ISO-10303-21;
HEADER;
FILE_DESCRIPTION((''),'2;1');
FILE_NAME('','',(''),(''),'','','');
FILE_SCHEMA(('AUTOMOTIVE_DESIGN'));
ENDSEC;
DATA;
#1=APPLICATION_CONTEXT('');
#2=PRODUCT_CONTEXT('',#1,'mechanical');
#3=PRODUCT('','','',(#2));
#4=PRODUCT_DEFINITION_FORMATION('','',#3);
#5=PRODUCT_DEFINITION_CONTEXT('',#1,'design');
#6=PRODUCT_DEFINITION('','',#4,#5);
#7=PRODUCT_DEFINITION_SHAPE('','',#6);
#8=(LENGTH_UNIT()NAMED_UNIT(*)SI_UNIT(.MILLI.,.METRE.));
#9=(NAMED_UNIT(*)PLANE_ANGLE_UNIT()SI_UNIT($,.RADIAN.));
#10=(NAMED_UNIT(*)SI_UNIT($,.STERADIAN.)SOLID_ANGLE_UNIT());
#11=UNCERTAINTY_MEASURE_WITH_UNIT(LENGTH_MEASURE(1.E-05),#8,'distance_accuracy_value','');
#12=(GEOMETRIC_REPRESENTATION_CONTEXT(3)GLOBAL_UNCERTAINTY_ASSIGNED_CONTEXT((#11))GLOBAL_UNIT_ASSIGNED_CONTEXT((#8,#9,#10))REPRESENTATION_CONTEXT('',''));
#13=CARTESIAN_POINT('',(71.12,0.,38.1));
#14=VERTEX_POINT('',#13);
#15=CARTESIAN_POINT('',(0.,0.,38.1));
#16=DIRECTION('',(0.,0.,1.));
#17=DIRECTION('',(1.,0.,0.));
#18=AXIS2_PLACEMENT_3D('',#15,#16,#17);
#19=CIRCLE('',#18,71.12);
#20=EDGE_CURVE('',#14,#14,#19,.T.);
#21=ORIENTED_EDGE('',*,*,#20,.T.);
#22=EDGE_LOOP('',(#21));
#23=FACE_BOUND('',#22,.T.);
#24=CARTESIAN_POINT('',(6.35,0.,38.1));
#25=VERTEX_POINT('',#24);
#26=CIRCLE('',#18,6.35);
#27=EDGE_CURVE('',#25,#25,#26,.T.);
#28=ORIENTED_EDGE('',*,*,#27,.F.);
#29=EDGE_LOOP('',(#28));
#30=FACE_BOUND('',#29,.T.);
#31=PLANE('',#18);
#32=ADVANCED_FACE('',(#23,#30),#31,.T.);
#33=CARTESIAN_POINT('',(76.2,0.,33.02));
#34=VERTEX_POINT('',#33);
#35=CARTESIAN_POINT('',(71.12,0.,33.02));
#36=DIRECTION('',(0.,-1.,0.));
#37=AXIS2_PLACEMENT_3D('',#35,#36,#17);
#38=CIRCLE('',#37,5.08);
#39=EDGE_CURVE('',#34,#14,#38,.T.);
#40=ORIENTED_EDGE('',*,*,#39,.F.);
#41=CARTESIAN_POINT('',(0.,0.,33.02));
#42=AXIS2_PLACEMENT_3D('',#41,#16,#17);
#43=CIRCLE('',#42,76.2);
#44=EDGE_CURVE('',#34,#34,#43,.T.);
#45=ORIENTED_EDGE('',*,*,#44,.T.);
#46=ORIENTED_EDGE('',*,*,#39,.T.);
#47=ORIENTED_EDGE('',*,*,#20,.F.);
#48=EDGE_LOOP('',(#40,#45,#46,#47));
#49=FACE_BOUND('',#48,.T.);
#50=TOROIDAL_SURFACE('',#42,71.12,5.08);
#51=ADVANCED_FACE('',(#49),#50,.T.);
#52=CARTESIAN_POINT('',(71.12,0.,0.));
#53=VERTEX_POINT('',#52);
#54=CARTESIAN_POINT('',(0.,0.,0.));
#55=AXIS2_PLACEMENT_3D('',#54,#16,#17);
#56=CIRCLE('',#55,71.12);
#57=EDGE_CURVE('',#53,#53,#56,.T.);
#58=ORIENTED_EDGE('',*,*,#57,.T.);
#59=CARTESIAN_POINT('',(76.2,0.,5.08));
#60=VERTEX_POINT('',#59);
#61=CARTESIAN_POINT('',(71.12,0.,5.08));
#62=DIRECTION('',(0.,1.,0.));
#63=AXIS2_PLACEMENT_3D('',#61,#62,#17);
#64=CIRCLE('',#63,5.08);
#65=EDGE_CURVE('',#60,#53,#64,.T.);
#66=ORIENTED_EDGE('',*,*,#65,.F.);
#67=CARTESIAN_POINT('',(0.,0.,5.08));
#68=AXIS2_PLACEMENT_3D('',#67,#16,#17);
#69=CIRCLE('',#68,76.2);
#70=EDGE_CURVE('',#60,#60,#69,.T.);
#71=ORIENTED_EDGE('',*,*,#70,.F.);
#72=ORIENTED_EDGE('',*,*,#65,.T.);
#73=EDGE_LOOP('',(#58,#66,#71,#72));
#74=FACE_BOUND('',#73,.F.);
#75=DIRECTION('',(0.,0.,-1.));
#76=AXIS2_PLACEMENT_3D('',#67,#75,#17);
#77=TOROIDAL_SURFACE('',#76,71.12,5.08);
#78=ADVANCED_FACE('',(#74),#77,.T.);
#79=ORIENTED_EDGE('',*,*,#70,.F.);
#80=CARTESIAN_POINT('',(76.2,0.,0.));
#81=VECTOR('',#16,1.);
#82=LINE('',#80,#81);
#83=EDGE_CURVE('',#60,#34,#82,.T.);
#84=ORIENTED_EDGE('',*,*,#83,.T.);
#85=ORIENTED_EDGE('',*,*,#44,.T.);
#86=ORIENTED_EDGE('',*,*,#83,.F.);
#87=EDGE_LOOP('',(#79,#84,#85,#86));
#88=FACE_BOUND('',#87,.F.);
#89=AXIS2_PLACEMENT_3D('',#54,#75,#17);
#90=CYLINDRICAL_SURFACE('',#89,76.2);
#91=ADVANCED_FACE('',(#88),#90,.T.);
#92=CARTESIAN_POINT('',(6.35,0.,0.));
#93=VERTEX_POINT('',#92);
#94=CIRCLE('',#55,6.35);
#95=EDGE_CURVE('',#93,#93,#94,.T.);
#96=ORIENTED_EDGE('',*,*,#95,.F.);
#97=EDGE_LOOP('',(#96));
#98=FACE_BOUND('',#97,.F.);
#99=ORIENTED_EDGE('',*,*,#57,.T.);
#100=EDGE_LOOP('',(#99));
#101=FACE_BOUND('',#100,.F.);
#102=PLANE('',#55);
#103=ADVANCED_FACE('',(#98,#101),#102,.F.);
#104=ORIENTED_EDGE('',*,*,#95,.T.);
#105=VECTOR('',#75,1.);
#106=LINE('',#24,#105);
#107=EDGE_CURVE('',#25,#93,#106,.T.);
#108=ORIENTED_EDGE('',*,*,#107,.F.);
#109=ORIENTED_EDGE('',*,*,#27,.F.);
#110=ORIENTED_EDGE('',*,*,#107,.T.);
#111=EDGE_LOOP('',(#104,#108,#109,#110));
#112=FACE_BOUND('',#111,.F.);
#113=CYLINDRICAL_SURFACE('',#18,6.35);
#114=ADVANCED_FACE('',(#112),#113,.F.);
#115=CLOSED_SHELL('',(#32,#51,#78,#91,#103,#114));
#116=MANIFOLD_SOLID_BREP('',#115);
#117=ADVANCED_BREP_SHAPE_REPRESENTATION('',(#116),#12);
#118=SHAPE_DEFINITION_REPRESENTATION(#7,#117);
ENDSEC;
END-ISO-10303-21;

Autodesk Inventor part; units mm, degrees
ref_plane "YZ Plane" through (0, 0, 0) normal (1, 0, 0) x (0, 1, 0)
ref_plane "XZ Plane" through (0, 0, 0) normal (0, 1, 0) x (-1, 0, 0)
ref_plane "XY Plane" through (0, 0, 0) normal (0, 0, 1) x (1, 0, 0)
sketch "Sketch1" plane through (0, 0, 0) normal (0, 0, 1) x (1, 0, 0)
  circle A0 centre (0, 0) radius 76.2
  dimension "d0" = 152.4
extrude "Extrusion1" add sketch "Sketch1" along normal blind 38.1
sketch "Sketch2" plane through (0, 0, 38.1) normal (0, 0, 1) x (1, 0, 0)
  circle A0 centre (0, 0) radius 6.35
  dimension "d3" = 12.7
extrude "Extrusion2" cut sketch "Sketch2" against normal blind 38.1
sketch "Sketch3" plane through (0, 0, 38.1) normal (0, 0, 1) x (1, 0, 0)
  point P0 (0, 0)
fillet "Fillet1" radius 5.08 2 edges at (-76.2, 0, 38.1) (-76.2, 0, 0)
properties part number "6 inch wheel"
